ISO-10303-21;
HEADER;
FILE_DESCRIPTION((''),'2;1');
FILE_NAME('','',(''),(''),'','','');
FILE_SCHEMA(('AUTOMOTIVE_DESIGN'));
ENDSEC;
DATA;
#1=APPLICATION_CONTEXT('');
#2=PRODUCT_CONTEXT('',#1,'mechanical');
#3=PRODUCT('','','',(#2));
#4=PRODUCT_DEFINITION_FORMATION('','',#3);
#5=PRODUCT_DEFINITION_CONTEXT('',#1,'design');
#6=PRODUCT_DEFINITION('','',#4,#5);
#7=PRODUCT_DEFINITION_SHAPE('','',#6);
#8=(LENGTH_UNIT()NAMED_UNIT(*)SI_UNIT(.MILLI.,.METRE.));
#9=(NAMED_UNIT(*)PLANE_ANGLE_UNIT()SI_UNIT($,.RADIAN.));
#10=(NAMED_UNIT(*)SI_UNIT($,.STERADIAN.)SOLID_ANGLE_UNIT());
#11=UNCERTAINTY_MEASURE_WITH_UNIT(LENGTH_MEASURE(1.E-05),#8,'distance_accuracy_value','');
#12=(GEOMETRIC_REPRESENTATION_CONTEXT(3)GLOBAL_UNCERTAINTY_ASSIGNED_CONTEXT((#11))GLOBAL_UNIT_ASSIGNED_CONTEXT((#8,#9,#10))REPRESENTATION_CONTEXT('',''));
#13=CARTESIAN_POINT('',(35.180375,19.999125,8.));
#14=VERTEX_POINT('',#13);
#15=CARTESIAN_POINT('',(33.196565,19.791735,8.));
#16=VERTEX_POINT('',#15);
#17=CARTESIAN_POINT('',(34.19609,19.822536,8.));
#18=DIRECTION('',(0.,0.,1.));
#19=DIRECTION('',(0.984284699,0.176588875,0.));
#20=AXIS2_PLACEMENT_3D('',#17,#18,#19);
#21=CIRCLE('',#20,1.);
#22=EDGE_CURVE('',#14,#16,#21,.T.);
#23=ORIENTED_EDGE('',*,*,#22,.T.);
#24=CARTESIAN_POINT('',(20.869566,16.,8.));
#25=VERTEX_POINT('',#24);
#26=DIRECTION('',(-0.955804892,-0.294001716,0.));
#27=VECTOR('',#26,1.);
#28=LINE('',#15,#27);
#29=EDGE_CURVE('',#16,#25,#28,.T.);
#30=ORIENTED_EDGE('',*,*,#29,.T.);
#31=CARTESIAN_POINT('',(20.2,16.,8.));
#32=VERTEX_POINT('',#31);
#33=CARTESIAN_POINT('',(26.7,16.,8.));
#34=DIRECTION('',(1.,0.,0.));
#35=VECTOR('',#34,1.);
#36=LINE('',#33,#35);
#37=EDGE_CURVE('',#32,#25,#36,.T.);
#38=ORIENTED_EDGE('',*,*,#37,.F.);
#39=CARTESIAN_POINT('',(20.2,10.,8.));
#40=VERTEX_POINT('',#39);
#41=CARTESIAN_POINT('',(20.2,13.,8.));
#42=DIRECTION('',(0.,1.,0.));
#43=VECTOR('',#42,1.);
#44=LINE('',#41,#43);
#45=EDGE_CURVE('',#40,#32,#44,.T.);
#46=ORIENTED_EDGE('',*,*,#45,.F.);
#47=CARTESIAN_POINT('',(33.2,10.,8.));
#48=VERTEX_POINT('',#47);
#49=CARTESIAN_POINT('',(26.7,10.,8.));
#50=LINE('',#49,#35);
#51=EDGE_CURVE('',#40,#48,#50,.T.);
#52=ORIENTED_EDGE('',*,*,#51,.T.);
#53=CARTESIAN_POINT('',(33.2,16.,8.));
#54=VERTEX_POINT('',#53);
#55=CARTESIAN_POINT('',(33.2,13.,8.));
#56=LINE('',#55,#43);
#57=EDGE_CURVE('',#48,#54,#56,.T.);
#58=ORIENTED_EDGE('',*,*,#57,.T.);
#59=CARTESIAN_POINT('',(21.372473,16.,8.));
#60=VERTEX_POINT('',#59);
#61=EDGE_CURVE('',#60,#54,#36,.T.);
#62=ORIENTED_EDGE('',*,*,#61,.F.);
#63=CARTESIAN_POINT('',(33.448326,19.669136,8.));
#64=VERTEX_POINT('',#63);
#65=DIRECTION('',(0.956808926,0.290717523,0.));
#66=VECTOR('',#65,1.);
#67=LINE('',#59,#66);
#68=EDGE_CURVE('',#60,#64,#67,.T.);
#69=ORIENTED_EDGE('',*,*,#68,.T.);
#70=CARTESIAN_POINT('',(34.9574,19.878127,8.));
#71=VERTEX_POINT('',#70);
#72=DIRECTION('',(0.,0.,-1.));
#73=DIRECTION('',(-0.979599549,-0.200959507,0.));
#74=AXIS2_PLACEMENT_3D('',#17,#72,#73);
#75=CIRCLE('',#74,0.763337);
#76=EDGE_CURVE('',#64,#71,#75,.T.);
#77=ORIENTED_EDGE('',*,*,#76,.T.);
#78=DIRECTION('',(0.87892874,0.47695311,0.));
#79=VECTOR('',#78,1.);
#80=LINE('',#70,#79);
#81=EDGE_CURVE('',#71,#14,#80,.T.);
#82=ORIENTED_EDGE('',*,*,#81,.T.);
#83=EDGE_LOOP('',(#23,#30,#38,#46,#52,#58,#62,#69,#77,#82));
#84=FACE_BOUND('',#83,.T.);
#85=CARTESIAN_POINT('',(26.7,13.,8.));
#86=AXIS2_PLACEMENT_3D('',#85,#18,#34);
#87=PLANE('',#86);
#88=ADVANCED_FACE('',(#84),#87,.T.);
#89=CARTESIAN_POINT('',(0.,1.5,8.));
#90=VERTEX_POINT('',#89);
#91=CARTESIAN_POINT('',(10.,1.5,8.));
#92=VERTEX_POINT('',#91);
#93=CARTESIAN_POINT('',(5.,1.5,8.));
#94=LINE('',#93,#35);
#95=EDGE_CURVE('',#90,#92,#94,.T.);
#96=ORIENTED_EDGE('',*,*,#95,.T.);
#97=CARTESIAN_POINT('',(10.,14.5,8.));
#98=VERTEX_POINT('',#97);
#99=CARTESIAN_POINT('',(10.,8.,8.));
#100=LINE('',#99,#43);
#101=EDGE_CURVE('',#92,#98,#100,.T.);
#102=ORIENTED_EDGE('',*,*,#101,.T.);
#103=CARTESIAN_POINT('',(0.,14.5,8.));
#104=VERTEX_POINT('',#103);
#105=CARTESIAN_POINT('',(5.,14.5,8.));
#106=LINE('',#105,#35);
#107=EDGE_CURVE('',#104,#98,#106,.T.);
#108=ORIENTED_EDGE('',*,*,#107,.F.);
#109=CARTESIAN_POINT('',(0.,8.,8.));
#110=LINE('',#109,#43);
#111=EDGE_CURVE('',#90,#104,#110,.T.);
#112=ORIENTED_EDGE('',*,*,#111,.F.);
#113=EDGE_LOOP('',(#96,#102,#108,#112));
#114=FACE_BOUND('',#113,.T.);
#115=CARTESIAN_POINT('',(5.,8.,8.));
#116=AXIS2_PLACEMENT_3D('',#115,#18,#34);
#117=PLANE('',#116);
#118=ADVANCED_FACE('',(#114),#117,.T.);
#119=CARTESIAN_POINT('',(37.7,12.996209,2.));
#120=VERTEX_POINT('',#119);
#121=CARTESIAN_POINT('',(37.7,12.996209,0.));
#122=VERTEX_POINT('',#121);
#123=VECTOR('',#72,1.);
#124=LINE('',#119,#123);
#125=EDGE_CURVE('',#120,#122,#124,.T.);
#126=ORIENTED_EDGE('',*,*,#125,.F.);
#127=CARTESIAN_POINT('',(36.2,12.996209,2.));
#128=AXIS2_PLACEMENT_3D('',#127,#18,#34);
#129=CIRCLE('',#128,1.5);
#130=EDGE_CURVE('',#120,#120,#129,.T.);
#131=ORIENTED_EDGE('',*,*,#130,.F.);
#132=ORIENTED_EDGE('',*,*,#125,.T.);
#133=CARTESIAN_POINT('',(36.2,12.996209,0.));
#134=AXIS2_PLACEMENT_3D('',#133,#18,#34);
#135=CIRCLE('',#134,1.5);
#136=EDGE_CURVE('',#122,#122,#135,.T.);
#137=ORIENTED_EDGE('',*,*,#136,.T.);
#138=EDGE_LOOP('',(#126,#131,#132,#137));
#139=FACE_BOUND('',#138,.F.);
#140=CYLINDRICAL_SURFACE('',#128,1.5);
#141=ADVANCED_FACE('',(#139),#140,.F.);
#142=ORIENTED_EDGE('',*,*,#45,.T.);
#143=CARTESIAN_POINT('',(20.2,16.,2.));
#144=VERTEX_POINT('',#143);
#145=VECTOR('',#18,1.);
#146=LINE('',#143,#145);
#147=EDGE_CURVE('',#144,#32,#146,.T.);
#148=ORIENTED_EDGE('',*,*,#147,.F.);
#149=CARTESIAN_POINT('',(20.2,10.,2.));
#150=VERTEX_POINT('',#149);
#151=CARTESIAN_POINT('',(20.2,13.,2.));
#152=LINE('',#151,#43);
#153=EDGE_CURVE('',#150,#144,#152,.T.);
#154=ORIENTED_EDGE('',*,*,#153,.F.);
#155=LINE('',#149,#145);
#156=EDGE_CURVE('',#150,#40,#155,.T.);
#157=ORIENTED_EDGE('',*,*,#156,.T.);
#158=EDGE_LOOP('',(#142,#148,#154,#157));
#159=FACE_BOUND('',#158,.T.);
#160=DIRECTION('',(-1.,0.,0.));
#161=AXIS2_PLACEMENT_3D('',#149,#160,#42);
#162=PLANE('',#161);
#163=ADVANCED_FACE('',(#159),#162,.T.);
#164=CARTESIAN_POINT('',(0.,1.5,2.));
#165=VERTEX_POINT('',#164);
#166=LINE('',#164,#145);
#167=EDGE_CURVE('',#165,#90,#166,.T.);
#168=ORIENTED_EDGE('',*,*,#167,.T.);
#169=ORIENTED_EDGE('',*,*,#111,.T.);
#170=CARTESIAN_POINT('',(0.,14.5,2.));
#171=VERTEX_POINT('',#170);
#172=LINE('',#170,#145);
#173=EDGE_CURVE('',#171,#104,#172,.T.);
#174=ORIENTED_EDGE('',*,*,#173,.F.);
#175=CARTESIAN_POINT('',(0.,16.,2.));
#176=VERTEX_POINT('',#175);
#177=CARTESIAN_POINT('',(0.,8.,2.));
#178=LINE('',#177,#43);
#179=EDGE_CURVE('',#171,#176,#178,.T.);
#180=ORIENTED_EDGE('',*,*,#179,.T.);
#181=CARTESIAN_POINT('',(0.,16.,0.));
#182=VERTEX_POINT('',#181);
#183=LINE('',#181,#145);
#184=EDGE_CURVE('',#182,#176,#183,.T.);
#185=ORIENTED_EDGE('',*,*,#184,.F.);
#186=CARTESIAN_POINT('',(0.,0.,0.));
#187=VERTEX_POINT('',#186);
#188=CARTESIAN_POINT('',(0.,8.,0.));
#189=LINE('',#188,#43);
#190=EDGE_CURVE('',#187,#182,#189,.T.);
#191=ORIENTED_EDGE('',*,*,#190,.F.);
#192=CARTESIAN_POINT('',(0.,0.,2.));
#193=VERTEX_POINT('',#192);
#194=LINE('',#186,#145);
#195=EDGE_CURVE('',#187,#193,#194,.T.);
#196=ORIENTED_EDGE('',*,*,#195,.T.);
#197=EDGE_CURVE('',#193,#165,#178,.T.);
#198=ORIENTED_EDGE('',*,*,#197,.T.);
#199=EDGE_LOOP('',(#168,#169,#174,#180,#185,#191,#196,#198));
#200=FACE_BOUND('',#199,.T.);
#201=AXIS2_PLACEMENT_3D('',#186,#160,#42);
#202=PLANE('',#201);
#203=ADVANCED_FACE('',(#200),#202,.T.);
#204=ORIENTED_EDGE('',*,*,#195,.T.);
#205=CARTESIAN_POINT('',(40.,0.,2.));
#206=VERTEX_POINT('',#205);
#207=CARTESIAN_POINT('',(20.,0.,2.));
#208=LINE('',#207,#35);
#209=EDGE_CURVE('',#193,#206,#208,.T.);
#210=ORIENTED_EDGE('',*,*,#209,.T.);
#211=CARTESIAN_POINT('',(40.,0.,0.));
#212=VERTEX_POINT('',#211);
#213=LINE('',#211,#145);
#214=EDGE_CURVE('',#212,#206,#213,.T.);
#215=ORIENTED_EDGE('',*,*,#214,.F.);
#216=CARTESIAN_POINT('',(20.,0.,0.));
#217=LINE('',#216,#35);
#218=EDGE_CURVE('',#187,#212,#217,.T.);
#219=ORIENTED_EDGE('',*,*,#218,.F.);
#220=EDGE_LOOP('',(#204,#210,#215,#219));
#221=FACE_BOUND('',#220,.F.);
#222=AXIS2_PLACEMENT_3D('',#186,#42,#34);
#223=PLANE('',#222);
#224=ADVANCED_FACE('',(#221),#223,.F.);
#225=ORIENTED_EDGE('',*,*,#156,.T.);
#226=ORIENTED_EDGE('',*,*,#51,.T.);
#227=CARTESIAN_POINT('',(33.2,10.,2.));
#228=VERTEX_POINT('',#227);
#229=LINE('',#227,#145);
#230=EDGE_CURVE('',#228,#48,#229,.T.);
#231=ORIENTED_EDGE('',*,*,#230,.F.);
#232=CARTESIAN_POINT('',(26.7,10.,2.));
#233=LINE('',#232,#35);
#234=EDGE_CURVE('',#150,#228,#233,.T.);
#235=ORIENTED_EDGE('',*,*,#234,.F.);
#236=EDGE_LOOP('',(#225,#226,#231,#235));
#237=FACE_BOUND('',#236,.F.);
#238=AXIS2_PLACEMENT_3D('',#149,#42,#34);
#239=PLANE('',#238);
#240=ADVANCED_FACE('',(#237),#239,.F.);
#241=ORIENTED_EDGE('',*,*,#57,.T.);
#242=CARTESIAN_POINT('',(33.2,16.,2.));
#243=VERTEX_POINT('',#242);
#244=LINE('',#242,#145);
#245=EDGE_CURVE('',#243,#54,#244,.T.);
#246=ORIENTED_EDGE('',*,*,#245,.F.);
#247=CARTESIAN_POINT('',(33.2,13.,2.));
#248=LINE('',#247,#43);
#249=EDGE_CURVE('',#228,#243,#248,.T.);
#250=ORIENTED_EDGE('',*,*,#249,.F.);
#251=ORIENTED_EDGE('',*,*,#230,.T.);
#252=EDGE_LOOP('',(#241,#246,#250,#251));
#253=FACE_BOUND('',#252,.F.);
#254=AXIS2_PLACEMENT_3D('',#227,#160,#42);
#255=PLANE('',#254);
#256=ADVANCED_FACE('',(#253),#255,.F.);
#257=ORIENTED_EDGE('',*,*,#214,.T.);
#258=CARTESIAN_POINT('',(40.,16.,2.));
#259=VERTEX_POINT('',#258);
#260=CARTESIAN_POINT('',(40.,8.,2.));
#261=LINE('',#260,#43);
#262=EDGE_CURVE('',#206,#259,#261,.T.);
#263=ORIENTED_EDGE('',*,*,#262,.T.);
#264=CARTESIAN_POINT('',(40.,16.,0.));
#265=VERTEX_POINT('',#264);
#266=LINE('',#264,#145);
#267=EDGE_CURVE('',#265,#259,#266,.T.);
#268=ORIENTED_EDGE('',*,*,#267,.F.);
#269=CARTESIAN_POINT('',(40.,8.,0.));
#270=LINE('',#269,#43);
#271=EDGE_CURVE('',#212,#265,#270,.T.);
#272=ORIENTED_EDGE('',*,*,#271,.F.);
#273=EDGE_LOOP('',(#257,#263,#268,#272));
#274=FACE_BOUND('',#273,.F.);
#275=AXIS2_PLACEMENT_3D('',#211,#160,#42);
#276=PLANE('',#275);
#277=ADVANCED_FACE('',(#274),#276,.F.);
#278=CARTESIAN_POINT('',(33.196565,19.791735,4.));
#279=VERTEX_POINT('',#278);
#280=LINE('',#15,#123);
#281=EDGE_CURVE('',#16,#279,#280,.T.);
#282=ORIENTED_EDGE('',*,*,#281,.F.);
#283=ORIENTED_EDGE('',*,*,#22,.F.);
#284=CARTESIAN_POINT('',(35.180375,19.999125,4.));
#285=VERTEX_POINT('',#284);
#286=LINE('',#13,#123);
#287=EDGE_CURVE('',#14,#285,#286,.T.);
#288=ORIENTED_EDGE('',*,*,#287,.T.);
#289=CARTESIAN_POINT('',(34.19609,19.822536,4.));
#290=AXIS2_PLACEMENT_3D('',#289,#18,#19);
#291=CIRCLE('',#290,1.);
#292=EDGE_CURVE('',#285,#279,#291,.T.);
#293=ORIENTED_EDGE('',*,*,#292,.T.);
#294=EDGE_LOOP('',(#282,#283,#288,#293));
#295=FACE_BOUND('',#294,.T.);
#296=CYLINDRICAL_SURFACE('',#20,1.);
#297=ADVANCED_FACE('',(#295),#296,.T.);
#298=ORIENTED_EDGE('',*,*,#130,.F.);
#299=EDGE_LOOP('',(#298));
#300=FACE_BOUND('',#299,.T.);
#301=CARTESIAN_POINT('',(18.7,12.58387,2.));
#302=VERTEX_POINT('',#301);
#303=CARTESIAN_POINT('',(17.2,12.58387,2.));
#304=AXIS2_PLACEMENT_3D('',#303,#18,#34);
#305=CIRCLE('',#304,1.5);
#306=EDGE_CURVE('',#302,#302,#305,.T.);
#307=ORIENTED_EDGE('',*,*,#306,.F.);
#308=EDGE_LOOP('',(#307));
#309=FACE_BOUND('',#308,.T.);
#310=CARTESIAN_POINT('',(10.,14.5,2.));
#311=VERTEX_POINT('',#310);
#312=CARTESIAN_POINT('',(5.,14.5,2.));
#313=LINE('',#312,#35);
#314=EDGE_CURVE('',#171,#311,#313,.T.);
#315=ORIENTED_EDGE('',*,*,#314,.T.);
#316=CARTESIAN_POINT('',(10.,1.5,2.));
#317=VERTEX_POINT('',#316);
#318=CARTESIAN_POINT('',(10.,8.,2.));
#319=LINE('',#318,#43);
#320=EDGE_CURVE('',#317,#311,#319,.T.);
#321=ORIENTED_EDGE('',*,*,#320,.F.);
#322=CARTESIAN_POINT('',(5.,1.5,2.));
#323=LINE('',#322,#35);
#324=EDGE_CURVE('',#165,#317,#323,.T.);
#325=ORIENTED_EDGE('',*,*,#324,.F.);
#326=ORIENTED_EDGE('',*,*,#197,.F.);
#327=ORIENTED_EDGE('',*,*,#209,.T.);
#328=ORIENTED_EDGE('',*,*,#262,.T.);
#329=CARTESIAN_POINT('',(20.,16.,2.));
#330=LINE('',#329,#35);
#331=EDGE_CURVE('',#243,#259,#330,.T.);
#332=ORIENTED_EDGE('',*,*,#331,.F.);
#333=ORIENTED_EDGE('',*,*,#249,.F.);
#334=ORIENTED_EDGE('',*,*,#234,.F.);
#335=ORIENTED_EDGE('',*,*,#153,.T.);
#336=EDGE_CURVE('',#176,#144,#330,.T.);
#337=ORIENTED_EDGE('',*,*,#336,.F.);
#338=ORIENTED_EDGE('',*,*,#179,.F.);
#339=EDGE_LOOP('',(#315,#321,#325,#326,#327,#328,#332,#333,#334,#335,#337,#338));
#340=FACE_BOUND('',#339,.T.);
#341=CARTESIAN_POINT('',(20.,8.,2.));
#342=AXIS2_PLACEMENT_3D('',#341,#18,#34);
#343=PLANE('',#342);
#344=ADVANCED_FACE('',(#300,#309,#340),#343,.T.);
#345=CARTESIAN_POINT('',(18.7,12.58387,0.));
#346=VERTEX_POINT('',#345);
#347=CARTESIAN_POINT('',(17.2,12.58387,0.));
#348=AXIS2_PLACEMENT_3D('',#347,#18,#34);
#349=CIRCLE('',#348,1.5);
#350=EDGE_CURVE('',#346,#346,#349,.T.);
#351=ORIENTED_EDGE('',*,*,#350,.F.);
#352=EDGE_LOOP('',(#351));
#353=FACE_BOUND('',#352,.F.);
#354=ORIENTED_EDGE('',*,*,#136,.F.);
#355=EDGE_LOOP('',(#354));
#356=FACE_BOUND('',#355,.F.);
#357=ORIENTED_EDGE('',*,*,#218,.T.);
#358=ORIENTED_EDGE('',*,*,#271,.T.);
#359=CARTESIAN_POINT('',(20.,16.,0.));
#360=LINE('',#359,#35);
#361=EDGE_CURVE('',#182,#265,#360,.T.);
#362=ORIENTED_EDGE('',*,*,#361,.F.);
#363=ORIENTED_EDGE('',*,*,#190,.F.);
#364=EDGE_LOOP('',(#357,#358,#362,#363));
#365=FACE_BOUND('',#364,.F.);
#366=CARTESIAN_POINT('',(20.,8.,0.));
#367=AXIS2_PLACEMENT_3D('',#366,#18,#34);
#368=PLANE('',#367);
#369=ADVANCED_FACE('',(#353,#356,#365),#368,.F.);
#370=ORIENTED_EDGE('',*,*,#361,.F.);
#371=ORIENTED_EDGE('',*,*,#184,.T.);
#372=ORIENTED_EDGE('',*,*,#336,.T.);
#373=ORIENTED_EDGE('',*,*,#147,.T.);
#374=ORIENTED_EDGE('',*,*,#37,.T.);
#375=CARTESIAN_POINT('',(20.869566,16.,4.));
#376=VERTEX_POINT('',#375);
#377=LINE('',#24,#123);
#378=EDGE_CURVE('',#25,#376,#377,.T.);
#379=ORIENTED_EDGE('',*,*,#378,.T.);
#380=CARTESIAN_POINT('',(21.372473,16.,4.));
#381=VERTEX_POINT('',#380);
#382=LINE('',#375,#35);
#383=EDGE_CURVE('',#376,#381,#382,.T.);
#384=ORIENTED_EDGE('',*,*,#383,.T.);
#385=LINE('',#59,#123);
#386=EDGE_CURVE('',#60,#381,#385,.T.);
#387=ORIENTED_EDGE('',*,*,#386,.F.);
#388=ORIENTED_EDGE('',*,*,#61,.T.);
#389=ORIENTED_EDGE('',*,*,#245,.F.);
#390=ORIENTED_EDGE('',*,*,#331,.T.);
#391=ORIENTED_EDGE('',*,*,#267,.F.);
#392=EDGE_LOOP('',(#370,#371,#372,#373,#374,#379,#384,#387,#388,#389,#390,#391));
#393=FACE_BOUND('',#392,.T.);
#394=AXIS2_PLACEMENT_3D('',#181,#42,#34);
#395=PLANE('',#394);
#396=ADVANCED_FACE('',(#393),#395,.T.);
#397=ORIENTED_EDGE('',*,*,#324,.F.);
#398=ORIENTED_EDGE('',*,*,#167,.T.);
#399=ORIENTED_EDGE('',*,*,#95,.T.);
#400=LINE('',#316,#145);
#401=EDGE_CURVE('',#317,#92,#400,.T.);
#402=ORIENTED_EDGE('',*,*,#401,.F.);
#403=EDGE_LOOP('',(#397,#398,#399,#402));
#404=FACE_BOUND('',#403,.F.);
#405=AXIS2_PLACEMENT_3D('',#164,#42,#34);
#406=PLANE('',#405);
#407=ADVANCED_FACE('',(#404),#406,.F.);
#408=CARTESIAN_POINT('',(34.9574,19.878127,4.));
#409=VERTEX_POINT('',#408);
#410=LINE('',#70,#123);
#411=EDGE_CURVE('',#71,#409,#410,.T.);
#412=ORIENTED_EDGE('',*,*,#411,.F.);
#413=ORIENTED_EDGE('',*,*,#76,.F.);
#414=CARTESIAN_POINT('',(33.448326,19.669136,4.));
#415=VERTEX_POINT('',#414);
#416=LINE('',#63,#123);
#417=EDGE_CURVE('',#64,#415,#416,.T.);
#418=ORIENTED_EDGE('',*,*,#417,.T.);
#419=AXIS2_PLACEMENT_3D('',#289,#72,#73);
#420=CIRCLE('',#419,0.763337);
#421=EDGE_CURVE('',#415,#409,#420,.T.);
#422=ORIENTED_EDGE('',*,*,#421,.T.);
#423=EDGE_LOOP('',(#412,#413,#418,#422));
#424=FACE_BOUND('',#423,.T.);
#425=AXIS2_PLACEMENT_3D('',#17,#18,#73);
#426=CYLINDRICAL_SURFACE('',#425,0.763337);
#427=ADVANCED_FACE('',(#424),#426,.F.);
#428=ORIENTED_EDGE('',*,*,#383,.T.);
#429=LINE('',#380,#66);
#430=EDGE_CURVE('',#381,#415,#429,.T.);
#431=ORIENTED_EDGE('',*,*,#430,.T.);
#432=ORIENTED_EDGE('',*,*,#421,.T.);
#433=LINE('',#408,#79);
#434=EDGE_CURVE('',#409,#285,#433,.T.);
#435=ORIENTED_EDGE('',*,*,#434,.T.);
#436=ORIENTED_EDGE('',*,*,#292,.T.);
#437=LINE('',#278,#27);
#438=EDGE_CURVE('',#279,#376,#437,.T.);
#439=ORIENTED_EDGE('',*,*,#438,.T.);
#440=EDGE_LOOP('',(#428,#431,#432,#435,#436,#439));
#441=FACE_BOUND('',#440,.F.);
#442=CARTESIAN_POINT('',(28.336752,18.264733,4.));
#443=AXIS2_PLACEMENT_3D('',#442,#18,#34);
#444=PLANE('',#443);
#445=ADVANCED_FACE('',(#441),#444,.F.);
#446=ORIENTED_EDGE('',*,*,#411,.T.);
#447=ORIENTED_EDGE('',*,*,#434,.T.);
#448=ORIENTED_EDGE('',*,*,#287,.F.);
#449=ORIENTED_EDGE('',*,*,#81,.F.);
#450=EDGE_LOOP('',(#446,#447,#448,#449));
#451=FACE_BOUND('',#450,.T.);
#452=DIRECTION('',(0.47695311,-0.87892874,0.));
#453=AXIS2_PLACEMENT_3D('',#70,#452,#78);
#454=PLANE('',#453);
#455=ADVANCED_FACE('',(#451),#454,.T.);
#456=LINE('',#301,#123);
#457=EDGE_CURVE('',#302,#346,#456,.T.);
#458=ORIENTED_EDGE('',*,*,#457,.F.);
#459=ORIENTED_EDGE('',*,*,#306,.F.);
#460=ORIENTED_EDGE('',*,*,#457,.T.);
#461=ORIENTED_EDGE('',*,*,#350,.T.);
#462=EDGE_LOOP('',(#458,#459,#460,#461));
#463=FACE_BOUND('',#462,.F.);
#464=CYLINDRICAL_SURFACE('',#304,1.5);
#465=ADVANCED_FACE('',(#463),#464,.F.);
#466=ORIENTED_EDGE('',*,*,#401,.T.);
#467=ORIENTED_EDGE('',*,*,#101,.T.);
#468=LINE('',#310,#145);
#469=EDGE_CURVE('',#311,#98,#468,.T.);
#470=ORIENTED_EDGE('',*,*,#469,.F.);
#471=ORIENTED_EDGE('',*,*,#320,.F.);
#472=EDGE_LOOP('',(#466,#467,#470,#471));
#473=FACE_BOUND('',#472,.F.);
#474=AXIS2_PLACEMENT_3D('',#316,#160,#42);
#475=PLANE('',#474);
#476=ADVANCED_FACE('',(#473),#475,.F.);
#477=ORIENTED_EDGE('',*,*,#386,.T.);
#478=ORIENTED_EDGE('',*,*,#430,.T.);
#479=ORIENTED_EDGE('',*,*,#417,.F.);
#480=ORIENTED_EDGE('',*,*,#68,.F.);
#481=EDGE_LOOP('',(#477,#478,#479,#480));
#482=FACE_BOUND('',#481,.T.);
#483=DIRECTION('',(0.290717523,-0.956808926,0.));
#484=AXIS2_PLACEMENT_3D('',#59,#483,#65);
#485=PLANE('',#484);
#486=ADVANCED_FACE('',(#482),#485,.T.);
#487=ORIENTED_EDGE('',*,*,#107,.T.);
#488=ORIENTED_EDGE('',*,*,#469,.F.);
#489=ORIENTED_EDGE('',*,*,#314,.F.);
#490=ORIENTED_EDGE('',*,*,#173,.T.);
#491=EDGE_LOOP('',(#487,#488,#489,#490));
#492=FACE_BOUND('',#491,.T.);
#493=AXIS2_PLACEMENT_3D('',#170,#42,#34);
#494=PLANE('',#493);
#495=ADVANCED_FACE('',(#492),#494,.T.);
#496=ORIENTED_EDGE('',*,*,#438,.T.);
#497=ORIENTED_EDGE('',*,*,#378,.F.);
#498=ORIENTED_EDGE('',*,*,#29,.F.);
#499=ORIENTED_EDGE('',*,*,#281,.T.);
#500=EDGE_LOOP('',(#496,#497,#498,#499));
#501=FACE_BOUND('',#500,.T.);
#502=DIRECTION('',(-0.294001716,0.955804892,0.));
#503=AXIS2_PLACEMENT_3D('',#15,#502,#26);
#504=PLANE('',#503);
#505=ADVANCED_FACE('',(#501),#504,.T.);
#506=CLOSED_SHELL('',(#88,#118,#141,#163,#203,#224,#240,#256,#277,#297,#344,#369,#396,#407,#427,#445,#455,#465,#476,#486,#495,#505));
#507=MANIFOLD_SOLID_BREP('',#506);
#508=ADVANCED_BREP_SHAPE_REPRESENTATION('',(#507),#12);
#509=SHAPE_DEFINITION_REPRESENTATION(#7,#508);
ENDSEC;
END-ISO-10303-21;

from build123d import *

# Parameters (mm, degrees)
F0_W     = 40
F0_H     = 16
F1_DEPTH = 2
F2_W     = 10
F2_H     = 13
F2_W_2   = 13
F2_H_2   = 6
F3_DEPTH = 6
F4_R     = 1.5
F5_DEPTH = 25
F7_DEPTH = 4


with BuildPart() as f1:
    # F0 (on Top) → F1 (new body)
    with BuildSketch(Plane.XY):
        with Locations((20, 8)):
            Rectangle(F0_W, F0_H)
    extrude(amount=F1_DEPTH)

    # F2 (on face) → F3 (join)
    with BuildSketch(Plane.XY.offset(2)):
        with Locations((5, 8)):
            Rectangle(F2_W, F2_H)
        with Locations((26.7, 13)):
            Rectangle(F2_W_2, F2_H_2)
    extrude(amount=F3_DEPTH)

    # F4 (on face) → F5 (cut)
    with BuildSketch(Plane.XY.offset(2)):
        with Locations((17.2, 12.58387)):
            Circle(F4_R)
        with Locations((36.2, 12.996209)):
            Circle(F4_R)
    extrude(amount=-F5_DEPTH, mode=Mode.SUBTRACT)

    # F6 (on face) → F7 (join)
    with BuildSketch(Plane.XY.offset(8)):
        with BuildLine():
            Line((33.196565, 19.791735), (20.869566, 16))
            Line((20.869566, 16), (21.372473, 16))
            Line((21.372473, 16), (33.448326, 19.669136))
            ThreePointArc((33.448326, 19.669136), (34.091376, 20.578656), (34.9574, 19.878127))
            Line((34.9574, 19.878127), (35.180375, 19.999125))
            ThreePointArc((35.180375, 19.999125), (34.092116, 20.817116), (33.196565, 19.791735))
        make_face()
    extrude(amount=-F7_DEPTH)


solid = f1.part
